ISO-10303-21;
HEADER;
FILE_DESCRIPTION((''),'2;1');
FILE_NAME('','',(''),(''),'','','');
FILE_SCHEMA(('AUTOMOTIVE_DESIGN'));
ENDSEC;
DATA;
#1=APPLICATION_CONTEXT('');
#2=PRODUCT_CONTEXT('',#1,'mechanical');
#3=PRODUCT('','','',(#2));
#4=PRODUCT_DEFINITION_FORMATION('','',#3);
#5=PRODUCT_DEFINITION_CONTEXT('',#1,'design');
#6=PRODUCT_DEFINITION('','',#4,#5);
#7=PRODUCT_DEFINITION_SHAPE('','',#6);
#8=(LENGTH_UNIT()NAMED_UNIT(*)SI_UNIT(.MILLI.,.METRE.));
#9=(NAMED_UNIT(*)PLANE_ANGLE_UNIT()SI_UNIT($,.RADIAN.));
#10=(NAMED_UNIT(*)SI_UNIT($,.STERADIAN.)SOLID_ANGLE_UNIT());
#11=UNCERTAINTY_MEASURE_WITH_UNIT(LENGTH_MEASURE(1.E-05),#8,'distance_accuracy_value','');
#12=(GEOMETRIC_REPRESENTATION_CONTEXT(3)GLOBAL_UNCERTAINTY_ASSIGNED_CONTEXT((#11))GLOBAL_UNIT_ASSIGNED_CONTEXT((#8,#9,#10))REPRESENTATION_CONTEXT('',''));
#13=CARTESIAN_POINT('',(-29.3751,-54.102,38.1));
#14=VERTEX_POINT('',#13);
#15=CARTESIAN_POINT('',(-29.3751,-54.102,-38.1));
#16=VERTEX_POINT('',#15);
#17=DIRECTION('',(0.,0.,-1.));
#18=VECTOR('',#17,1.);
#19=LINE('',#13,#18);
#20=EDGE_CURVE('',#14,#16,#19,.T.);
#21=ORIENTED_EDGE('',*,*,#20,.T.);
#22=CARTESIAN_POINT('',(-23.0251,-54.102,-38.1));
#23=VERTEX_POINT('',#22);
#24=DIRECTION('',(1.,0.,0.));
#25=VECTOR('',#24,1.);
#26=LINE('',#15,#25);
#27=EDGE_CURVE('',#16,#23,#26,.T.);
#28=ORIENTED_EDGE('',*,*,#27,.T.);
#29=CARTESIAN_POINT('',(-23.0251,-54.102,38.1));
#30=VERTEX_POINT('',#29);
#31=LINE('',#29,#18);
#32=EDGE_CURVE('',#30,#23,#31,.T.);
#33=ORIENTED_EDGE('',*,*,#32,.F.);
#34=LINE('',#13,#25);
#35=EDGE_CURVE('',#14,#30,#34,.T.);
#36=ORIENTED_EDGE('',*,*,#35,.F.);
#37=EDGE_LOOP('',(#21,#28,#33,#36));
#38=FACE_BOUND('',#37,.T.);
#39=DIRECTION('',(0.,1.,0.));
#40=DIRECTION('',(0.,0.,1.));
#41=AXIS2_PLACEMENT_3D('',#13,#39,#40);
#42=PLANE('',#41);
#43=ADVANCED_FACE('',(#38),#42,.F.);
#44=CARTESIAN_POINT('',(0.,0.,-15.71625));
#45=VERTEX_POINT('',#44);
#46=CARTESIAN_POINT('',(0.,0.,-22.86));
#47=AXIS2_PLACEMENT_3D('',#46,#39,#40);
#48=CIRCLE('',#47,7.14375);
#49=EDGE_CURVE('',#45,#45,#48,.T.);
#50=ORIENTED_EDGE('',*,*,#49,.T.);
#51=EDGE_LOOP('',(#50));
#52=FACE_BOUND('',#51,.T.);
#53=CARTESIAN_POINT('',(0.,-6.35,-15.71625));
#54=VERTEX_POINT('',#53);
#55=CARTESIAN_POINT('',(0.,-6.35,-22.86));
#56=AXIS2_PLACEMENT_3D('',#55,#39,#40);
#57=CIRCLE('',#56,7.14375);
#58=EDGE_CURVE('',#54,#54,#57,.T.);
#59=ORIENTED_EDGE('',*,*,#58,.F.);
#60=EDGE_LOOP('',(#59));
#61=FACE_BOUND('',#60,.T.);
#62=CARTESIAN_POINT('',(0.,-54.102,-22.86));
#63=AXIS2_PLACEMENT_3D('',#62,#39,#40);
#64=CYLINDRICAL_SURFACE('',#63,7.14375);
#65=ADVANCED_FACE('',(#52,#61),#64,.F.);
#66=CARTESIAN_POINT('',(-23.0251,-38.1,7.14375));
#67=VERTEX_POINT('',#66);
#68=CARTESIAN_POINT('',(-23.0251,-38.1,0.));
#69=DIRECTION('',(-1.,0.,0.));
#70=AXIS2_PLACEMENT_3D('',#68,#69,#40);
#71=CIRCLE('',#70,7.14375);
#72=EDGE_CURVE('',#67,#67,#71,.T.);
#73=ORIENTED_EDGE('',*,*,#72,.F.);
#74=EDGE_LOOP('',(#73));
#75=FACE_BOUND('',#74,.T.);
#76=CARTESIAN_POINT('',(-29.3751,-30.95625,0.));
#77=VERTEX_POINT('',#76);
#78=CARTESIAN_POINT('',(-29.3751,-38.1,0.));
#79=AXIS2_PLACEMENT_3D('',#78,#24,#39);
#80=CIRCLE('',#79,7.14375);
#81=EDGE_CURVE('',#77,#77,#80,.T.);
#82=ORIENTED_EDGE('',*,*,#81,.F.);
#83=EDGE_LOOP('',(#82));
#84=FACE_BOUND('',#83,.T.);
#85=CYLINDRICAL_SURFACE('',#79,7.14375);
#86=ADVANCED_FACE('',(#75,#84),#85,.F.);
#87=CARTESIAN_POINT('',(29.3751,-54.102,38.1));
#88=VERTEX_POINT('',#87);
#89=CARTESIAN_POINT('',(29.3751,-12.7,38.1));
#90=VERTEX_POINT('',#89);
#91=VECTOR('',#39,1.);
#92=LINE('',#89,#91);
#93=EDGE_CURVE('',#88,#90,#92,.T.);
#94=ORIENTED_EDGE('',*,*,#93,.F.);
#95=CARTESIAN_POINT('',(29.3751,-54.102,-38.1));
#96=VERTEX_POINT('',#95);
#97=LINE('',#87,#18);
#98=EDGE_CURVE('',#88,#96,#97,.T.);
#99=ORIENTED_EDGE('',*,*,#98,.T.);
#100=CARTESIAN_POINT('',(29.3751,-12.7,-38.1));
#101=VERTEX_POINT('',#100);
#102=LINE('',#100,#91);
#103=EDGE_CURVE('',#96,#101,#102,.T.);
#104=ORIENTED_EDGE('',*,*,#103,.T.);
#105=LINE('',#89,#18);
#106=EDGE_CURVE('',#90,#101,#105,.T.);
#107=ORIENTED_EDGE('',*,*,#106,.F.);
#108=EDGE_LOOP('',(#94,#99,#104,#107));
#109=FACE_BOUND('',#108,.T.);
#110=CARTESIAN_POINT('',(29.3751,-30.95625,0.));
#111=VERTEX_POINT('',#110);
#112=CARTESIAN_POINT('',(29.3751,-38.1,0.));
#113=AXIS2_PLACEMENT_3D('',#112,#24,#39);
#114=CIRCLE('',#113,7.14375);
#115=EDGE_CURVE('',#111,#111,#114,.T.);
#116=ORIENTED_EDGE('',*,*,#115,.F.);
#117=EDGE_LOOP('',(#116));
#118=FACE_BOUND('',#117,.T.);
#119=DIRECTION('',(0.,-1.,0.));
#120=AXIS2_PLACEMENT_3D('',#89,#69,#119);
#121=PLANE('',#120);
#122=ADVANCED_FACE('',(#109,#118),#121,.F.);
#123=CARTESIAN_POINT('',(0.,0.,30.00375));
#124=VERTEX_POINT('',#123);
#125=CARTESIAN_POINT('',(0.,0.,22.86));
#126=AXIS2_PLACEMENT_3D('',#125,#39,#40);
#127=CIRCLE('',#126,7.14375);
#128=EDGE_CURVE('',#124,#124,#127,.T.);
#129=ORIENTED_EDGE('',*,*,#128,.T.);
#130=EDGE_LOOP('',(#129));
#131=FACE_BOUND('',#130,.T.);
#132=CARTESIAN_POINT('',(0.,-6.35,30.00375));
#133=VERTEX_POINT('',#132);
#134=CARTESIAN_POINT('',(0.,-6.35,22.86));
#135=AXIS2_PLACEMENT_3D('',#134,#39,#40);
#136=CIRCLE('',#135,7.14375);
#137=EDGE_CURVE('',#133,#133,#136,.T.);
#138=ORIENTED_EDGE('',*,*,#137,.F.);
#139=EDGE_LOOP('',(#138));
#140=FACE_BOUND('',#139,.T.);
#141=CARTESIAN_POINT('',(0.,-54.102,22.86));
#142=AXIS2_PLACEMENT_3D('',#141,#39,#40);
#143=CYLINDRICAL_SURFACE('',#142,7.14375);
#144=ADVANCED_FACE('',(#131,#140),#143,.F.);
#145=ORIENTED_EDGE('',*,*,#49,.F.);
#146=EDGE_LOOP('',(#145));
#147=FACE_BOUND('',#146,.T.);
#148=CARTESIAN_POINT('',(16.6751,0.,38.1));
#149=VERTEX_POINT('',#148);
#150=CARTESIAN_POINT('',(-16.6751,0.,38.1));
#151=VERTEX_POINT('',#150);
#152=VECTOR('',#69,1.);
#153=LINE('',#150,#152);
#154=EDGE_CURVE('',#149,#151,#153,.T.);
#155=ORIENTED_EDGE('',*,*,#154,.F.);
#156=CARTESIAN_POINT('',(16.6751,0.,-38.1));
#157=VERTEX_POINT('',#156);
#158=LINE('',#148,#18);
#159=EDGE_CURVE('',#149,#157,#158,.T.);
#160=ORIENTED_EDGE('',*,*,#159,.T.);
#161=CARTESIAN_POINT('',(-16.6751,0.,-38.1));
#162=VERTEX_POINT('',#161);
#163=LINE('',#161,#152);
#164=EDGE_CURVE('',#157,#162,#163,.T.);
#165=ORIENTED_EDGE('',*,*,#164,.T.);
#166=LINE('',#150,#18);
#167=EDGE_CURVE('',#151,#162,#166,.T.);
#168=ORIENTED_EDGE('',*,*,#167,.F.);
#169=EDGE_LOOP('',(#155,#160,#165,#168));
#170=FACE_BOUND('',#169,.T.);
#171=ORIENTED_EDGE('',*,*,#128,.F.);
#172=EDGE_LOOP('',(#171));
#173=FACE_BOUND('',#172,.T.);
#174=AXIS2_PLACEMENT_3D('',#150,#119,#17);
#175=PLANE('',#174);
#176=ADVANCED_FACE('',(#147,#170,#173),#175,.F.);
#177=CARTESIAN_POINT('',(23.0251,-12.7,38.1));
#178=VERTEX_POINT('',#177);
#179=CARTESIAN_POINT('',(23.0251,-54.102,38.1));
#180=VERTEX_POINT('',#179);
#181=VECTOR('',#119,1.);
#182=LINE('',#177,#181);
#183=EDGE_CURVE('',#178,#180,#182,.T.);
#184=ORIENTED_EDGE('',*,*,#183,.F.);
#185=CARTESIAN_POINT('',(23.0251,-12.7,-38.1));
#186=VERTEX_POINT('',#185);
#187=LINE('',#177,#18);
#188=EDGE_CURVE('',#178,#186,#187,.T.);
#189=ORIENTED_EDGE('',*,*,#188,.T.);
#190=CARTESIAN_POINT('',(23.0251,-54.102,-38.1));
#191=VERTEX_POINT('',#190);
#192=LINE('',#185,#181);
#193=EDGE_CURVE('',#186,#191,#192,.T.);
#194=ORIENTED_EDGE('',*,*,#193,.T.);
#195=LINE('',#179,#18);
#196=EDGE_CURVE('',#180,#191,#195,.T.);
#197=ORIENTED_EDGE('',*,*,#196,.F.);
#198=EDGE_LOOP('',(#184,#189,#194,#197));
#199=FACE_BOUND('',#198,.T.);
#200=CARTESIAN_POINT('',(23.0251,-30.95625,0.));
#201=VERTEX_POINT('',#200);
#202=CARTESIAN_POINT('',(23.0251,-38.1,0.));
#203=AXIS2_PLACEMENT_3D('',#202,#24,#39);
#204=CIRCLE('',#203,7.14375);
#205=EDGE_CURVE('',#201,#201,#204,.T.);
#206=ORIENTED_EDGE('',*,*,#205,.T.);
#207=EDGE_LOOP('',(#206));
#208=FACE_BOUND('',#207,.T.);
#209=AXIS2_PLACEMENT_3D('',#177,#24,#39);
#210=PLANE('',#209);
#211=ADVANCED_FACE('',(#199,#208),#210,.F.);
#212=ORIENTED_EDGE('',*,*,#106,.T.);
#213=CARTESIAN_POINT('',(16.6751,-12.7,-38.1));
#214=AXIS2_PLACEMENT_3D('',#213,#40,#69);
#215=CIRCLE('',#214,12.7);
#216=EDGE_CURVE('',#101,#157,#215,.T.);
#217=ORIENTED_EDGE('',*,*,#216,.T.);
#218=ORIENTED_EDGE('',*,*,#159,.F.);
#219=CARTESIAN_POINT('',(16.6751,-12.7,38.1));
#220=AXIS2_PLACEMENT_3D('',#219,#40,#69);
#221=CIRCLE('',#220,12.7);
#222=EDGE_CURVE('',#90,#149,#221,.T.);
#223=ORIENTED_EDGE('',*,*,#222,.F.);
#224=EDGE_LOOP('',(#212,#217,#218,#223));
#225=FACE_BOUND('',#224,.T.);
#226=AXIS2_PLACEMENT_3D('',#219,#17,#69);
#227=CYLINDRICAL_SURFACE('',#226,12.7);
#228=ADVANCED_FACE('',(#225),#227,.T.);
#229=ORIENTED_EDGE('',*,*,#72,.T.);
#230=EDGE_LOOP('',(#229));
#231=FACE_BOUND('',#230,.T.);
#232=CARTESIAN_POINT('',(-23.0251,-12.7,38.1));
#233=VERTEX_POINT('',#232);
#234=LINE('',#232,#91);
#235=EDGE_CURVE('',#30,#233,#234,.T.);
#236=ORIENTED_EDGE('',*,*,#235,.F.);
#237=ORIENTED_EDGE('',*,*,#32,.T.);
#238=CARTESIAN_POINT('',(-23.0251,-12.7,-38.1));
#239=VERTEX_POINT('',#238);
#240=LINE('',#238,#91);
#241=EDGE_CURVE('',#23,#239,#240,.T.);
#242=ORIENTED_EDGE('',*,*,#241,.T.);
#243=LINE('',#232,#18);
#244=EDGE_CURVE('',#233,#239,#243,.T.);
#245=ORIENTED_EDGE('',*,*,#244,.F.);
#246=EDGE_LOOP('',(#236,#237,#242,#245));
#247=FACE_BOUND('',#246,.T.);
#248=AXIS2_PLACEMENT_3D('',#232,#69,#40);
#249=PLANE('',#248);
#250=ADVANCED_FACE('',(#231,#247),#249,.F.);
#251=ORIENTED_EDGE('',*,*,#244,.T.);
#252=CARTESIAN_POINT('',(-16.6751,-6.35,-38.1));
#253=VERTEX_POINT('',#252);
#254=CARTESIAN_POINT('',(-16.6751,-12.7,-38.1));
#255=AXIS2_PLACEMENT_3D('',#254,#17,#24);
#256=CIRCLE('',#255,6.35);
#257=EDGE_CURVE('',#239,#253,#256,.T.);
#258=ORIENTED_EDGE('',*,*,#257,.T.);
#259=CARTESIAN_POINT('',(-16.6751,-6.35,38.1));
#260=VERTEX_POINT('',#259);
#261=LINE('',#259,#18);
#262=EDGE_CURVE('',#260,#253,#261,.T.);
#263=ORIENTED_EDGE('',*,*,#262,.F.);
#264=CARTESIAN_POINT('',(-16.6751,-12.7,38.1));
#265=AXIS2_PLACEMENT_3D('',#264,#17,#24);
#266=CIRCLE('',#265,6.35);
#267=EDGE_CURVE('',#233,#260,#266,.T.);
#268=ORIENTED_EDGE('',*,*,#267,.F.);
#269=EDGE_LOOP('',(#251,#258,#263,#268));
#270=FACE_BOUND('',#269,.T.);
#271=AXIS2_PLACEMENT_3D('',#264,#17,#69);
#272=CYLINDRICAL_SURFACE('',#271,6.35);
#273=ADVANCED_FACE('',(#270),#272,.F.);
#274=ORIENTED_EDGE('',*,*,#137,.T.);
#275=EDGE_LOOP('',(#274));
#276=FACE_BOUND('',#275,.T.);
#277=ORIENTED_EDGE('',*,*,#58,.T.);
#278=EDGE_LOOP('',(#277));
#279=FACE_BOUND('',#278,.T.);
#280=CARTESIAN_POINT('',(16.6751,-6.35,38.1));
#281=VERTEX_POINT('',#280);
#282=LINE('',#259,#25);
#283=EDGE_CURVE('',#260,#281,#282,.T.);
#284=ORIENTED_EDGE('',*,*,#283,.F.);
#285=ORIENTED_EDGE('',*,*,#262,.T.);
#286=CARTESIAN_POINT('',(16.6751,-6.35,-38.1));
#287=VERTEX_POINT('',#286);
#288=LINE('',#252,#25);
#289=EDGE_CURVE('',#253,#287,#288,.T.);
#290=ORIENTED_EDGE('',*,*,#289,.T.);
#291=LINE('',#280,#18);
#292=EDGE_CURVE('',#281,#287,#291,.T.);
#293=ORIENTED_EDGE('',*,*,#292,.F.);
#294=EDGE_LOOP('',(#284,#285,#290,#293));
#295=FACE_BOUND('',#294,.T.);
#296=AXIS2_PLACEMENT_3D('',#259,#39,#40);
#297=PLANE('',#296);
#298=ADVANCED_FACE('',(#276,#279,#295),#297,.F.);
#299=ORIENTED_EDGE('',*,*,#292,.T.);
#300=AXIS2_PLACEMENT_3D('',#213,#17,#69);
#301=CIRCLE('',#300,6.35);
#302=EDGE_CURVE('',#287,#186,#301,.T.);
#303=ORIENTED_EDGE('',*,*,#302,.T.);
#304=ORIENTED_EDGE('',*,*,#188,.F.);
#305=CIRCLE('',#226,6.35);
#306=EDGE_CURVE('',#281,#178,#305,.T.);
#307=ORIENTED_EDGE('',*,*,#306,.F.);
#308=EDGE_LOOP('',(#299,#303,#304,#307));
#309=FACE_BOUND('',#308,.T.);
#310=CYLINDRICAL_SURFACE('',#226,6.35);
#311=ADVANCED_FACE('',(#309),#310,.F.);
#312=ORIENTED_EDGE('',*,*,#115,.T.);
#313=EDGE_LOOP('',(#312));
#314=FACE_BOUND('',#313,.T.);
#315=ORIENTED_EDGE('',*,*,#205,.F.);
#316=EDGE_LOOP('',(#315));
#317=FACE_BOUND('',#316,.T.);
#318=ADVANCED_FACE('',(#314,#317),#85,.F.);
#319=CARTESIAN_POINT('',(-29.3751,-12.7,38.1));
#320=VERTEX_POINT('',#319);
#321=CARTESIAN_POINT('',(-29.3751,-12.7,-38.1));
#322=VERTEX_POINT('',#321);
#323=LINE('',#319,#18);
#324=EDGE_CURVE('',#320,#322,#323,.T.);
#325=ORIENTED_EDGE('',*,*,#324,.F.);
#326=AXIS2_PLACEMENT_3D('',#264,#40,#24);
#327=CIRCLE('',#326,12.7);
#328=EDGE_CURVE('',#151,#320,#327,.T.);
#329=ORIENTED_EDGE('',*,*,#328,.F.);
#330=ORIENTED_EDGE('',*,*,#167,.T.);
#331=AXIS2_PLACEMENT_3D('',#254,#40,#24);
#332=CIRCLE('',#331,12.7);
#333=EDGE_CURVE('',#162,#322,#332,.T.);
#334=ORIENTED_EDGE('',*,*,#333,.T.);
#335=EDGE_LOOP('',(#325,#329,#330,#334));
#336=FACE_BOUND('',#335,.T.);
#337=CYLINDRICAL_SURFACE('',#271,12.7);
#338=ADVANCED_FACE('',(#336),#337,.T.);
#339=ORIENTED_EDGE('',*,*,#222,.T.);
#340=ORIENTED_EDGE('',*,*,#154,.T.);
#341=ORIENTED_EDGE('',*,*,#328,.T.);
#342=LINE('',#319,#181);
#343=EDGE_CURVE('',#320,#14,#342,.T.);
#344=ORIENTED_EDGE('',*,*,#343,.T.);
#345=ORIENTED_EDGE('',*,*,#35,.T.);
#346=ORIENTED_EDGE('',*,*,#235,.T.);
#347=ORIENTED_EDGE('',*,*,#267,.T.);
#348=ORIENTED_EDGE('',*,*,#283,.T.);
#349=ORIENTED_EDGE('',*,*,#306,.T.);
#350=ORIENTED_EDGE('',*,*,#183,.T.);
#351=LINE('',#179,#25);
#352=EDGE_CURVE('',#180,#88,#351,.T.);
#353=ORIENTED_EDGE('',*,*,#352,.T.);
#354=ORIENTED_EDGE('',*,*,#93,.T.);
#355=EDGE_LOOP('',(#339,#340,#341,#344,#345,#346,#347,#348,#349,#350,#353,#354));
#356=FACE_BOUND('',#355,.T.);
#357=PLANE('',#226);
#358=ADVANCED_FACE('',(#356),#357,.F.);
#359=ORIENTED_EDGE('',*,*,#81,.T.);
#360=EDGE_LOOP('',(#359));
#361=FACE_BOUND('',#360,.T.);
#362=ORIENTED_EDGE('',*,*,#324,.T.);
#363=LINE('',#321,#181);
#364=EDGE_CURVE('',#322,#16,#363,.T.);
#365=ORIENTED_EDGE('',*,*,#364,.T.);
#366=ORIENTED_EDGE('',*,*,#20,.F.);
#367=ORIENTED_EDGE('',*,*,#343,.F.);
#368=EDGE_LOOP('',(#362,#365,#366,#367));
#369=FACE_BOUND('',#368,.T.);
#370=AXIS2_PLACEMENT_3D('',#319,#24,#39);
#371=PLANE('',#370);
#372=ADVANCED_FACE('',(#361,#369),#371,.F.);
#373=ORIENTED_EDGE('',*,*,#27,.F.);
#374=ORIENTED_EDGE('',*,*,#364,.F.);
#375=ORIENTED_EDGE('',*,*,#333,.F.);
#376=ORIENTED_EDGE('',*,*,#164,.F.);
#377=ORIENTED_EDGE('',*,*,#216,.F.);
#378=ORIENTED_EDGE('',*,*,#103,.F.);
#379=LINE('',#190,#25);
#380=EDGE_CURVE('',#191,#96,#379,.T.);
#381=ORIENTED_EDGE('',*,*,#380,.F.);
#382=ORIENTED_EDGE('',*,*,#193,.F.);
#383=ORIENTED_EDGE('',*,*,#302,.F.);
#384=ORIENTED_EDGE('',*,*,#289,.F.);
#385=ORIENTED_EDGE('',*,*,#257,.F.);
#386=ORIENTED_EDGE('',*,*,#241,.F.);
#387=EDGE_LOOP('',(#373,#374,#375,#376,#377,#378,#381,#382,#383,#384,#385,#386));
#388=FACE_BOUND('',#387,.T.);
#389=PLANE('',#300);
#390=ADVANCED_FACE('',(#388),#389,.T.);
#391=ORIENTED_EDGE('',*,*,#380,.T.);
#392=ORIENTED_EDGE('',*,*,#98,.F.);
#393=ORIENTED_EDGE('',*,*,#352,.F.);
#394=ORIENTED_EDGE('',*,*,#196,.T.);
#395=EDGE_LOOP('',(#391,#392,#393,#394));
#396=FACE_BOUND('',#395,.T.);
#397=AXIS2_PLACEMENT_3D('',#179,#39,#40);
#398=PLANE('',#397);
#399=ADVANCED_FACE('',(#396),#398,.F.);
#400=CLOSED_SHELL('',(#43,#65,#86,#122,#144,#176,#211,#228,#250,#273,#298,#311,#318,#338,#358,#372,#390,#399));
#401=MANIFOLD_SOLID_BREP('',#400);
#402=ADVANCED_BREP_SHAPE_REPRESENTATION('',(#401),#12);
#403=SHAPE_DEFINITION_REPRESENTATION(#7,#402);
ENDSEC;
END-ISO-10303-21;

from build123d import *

# Parameters (mm, degrees)
BOSS_EXTRUDE1_DEPTH = 38.1
SKETCH2_R           = 7.14375
CUT_EXTRUDE1_DEPTH  = 89.488543914
SKETCH3_R           = 7.14375
CUT_EXTRUDE2_DEPTH  = 73.398431641


with BuildPart() as part:
    # Sketch1 → Boss-Extrude1 (new, symmetric)
    with BuildSketch(Plane.XY):
        with BuildLine():
            Line((-23.0251, -12.7), (-23.0251, -54.102))
            Line((-23.0251, -54.102), (-29.3751, -54.102))
            Line((-29.3751, -54.102), (-29.3751, -12.7))
            ThreePointArc((-29.3751, -12.7), (-25.655356121, -3.719743879), (-16.6751, 0))
            Line((-16.6751, 0), (16.6751, 0))
            ThreePointArc((16.6751, 0), (25.655356121, -3.719743879), (29.3751, -12.7))
            Line((29.3751, -12.7), (29.3751, -54.102))
            Line((29.3751, -54.102), (23.0251, -54.102))
            Line((23.0251, -54.102), (23.0251, -12.7))
            ThreePointArc((23.0251, -12.7), (21.165228061, -8.209871939), (16.6751, -6.35))
            Line((16.6751, -6.35), (-16.6751, -6.35))
            ThreePointArc((-16.6751, -6.35), (-21.165228061, -8.209871939), (-23.0251, -12.7))
        make_face()
    extrude(amount=BOSS_EXTRUDE1_DEPTH, both=True)

    # Sketch2 → Cut-Extrude1 (cut, through all)
    with BuildSketch(Plane(origin=(29.3751, 0, 0), x_dir=(0, 0, -1), z_dir=(1, 0, 0))):
        with Locations(Location((0, -38.1, 0), (0, 0, 90))):
            Circle(SKETCH2_R)
    extrude(amount=-CUT_EXTRUDE1_DEPTH, mode=Mode.SUBTRACT)

    # Sketch3 → Cut-Extrude2 (cut, through all)
    with BuildSketch(Plane(origin=(0, 0, 0), x_dir=(1, 0, 0), z_dir=(0, 1, 0))):
        with Locations(Location((0, 22.86, 0), (0, 0, 270))):
            Circle(SKETCH3_R)
        with Locations(Location((0, -22.86, 0), (0, 0, 270))):
            Circle(SKETCH3_R)
    extrude(amount=-CUT_EXTRUDE2_DEPTH, mode=Mode.SUBTRACT)


solid = part.part
